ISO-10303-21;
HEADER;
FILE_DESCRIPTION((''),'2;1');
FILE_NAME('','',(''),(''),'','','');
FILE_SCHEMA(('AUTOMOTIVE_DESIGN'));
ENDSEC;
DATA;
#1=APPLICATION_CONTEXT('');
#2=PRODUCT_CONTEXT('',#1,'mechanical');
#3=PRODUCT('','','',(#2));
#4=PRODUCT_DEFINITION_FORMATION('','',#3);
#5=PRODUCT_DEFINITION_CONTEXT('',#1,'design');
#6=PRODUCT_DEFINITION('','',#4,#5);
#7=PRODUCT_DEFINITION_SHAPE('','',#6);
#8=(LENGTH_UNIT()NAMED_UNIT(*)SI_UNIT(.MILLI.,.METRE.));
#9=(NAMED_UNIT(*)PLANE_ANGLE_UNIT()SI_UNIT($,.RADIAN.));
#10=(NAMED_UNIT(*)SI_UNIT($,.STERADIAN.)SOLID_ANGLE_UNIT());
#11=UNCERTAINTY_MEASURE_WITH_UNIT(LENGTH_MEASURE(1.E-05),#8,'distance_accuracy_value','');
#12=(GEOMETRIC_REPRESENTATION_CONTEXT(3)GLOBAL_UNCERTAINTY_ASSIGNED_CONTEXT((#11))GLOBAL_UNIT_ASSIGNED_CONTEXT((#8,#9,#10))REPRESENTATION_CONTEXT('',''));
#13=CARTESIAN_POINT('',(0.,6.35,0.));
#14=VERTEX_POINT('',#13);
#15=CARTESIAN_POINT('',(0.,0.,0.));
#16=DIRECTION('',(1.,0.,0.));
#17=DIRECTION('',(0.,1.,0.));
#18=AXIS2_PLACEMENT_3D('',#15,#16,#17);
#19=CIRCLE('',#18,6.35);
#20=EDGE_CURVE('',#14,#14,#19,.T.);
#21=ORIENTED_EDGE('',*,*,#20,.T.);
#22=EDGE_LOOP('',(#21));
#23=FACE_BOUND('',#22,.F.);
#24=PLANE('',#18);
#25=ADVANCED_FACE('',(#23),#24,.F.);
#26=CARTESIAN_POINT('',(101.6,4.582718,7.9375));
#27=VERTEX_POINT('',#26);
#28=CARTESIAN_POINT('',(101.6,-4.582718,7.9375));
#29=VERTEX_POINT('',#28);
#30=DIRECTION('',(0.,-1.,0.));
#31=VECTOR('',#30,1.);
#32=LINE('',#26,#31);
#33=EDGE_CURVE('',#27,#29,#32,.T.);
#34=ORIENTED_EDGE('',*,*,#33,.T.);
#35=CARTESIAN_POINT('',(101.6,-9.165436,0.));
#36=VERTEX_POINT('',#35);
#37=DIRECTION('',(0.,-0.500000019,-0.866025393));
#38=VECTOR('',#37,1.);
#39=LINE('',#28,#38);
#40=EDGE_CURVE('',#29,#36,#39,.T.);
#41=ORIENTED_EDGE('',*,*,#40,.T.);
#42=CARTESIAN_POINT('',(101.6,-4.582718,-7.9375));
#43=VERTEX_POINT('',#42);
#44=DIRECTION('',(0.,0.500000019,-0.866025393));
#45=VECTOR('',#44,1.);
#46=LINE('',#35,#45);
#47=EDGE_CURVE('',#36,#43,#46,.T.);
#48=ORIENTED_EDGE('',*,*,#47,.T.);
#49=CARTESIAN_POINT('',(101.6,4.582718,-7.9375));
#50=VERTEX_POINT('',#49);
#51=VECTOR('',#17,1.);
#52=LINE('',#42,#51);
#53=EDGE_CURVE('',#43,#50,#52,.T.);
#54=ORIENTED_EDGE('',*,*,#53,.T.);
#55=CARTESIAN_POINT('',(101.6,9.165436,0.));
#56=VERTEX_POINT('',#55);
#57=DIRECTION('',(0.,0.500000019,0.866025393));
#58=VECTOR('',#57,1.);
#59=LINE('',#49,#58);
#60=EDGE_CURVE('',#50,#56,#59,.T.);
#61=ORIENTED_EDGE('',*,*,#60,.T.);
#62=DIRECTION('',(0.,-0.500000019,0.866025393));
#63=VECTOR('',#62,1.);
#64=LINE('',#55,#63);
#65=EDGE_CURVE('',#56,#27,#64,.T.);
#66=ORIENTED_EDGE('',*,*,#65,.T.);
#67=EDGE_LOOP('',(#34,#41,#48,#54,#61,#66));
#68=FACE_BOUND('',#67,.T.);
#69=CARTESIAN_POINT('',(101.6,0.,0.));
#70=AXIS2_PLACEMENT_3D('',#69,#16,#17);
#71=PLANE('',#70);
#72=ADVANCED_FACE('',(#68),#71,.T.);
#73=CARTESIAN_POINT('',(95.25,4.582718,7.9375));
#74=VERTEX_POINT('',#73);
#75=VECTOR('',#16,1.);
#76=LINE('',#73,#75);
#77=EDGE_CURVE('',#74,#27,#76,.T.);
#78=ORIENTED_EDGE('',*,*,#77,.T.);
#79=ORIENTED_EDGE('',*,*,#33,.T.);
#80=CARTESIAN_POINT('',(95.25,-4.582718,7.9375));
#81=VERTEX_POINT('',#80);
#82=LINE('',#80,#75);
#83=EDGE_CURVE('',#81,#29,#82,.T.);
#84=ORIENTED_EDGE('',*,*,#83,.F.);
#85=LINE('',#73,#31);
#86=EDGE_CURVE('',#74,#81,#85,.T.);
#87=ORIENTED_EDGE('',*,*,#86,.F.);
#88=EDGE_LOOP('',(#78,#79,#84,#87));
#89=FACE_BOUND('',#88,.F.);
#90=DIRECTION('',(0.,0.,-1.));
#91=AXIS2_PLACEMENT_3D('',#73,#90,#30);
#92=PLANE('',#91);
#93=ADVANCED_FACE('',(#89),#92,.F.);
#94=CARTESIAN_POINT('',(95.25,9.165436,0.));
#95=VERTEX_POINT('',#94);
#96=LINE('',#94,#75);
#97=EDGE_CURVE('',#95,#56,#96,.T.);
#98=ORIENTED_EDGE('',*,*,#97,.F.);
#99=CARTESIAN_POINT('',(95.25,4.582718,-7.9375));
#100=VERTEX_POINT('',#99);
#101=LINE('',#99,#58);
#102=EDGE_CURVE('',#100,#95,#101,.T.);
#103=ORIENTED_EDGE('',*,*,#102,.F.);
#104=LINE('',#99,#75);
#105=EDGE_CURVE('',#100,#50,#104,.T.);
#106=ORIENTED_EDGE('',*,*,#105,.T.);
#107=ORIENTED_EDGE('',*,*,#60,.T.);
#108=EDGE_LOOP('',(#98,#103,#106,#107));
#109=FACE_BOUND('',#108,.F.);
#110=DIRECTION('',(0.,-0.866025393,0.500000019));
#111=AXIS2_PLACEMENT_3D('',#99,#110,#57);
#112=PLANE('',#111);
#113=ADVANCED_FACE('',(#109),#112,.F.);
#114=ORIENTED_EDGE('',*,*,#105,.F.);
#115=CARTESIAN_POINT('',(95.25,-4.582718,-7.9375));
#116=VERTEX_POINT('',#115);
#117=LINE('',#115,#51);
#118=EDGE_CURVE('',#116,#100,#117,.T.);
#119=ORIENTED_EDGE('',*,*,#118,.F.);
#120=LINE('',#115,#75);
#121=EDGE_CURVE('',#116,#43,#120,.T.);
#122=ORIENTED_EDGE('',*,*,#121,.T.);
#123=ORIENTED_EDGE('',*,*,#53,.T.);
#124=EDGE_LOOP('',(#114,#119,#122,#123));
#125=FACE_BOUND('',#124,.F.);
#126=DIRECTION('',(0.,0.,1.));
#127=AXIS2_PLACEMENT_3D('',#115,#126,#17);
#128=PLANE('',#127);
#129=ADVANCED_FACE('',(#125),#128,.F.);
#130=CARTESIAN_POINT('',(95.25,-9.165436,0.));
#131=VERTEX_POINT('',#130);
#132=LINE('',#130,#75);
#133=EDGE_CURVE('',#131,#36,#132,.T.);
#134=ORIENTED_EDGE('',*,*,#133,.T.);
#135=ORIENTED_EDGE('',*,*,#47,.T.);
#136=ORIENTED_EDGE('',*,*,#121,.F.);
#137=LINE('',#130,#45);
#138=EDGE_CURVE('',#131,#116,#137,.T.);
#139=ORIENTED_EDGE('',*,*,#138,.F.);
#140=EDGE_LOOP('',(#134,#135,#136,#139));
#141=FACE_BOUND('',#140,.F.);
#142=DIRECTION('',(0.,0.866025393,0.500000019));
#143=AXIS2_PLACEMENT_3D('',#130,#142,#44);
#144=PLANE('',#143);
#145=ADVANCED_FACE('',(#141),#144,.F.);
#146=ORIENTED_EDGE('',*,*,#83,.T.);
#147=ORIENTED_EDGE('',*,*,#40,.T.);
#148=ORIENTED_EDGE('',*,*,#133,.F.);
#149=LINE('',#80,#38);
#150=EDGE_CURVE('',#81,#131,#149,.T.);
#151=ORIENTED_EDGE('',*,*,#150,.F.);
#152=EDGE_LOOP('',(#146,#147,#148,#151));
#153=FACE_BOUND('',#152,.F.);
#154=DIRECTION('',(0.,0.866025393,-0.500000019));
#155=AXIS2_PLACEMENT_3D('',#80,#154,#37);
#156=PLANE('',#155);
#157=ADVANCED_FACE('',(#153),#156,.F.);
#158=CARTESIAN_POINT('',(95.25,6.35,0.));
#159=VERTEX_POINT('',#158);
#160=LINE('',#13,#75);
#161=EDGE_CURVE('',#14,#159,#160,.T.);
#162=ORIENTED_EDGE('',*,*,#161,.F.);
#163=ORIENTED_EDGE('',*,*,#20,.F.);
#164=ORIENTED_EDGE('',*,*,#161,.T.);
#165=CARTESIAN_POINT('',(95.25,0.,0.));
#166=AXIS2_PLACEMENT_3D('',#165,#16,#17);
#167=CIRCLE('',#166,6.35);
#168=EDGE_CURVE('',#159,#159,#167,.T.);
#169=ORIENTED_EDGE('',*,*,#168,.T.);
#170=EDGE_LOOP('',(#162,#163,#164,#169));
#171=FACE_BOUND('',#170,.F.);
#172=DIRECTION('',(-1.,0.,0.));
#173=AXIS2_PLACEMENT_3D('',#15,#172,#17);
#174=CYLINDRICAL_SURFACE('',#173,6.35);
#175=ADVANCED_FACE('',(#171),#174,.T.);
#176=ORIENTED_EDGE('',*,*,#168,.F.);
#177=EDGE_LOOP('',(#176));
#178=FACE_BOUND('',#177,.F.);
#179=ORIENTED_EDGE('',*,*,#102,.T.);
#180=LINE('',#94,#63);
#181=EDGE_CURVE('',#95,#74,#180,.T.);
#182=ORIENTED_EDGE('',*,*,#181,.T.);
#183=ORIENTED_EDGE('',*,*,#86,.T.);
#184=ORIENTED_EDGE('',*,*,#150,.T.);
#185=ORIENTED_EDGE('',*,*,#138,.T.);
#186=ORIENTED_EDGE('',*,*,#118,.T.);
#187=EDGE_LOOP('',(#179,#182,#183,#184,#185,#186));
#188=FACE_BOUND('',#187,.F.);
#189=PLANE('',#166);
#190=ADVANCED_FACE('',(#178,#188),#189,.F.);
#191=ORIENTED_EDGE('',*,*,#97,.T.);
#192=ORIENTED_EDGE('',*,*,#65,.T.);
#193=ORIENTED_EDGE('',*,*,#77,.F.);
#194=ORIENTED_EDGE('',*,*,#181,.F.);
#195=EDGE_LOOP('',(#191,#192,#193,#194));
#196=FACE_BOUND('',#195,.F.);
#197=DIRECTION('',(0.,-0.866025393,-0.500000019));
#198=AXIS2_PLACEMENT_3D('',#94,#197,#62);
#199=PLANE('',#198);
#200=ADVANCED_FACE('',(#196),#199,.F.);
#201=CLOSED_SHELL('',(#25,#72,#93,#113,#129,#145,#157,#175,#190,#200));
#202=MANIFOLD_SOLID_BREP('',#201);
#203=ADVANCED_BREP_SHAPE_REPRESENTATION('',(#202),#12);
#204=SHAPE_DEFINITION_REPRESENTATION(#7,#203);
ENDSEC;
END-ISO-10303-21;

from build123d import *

# Parameters (mm, degrees)
F0_R     = 6.35
F1_DEPTH = 95.25
F3_DEPTH = 6.35


with BuildPart() as f1:
    # F0 (on Right) → F1 (new body)
    with BuildSketch(Plane.YZ):
        Circle(F0_R)
    extrude(amount=F1_DEPTH)

    # F2 (on face) → F3 (join)
    with BuildSketch(Plane.YZ.offset(95.25)):
        Polygon((4.582718, 7.9375), (-4.582718, 7.9375), (-9.165436, 0), (-4.582718, -7.9375), (4.582718, -7.9375), (9.165436, 0), align=None)
    extrude(amount=F3_DEPTH)


solid = f1.part
